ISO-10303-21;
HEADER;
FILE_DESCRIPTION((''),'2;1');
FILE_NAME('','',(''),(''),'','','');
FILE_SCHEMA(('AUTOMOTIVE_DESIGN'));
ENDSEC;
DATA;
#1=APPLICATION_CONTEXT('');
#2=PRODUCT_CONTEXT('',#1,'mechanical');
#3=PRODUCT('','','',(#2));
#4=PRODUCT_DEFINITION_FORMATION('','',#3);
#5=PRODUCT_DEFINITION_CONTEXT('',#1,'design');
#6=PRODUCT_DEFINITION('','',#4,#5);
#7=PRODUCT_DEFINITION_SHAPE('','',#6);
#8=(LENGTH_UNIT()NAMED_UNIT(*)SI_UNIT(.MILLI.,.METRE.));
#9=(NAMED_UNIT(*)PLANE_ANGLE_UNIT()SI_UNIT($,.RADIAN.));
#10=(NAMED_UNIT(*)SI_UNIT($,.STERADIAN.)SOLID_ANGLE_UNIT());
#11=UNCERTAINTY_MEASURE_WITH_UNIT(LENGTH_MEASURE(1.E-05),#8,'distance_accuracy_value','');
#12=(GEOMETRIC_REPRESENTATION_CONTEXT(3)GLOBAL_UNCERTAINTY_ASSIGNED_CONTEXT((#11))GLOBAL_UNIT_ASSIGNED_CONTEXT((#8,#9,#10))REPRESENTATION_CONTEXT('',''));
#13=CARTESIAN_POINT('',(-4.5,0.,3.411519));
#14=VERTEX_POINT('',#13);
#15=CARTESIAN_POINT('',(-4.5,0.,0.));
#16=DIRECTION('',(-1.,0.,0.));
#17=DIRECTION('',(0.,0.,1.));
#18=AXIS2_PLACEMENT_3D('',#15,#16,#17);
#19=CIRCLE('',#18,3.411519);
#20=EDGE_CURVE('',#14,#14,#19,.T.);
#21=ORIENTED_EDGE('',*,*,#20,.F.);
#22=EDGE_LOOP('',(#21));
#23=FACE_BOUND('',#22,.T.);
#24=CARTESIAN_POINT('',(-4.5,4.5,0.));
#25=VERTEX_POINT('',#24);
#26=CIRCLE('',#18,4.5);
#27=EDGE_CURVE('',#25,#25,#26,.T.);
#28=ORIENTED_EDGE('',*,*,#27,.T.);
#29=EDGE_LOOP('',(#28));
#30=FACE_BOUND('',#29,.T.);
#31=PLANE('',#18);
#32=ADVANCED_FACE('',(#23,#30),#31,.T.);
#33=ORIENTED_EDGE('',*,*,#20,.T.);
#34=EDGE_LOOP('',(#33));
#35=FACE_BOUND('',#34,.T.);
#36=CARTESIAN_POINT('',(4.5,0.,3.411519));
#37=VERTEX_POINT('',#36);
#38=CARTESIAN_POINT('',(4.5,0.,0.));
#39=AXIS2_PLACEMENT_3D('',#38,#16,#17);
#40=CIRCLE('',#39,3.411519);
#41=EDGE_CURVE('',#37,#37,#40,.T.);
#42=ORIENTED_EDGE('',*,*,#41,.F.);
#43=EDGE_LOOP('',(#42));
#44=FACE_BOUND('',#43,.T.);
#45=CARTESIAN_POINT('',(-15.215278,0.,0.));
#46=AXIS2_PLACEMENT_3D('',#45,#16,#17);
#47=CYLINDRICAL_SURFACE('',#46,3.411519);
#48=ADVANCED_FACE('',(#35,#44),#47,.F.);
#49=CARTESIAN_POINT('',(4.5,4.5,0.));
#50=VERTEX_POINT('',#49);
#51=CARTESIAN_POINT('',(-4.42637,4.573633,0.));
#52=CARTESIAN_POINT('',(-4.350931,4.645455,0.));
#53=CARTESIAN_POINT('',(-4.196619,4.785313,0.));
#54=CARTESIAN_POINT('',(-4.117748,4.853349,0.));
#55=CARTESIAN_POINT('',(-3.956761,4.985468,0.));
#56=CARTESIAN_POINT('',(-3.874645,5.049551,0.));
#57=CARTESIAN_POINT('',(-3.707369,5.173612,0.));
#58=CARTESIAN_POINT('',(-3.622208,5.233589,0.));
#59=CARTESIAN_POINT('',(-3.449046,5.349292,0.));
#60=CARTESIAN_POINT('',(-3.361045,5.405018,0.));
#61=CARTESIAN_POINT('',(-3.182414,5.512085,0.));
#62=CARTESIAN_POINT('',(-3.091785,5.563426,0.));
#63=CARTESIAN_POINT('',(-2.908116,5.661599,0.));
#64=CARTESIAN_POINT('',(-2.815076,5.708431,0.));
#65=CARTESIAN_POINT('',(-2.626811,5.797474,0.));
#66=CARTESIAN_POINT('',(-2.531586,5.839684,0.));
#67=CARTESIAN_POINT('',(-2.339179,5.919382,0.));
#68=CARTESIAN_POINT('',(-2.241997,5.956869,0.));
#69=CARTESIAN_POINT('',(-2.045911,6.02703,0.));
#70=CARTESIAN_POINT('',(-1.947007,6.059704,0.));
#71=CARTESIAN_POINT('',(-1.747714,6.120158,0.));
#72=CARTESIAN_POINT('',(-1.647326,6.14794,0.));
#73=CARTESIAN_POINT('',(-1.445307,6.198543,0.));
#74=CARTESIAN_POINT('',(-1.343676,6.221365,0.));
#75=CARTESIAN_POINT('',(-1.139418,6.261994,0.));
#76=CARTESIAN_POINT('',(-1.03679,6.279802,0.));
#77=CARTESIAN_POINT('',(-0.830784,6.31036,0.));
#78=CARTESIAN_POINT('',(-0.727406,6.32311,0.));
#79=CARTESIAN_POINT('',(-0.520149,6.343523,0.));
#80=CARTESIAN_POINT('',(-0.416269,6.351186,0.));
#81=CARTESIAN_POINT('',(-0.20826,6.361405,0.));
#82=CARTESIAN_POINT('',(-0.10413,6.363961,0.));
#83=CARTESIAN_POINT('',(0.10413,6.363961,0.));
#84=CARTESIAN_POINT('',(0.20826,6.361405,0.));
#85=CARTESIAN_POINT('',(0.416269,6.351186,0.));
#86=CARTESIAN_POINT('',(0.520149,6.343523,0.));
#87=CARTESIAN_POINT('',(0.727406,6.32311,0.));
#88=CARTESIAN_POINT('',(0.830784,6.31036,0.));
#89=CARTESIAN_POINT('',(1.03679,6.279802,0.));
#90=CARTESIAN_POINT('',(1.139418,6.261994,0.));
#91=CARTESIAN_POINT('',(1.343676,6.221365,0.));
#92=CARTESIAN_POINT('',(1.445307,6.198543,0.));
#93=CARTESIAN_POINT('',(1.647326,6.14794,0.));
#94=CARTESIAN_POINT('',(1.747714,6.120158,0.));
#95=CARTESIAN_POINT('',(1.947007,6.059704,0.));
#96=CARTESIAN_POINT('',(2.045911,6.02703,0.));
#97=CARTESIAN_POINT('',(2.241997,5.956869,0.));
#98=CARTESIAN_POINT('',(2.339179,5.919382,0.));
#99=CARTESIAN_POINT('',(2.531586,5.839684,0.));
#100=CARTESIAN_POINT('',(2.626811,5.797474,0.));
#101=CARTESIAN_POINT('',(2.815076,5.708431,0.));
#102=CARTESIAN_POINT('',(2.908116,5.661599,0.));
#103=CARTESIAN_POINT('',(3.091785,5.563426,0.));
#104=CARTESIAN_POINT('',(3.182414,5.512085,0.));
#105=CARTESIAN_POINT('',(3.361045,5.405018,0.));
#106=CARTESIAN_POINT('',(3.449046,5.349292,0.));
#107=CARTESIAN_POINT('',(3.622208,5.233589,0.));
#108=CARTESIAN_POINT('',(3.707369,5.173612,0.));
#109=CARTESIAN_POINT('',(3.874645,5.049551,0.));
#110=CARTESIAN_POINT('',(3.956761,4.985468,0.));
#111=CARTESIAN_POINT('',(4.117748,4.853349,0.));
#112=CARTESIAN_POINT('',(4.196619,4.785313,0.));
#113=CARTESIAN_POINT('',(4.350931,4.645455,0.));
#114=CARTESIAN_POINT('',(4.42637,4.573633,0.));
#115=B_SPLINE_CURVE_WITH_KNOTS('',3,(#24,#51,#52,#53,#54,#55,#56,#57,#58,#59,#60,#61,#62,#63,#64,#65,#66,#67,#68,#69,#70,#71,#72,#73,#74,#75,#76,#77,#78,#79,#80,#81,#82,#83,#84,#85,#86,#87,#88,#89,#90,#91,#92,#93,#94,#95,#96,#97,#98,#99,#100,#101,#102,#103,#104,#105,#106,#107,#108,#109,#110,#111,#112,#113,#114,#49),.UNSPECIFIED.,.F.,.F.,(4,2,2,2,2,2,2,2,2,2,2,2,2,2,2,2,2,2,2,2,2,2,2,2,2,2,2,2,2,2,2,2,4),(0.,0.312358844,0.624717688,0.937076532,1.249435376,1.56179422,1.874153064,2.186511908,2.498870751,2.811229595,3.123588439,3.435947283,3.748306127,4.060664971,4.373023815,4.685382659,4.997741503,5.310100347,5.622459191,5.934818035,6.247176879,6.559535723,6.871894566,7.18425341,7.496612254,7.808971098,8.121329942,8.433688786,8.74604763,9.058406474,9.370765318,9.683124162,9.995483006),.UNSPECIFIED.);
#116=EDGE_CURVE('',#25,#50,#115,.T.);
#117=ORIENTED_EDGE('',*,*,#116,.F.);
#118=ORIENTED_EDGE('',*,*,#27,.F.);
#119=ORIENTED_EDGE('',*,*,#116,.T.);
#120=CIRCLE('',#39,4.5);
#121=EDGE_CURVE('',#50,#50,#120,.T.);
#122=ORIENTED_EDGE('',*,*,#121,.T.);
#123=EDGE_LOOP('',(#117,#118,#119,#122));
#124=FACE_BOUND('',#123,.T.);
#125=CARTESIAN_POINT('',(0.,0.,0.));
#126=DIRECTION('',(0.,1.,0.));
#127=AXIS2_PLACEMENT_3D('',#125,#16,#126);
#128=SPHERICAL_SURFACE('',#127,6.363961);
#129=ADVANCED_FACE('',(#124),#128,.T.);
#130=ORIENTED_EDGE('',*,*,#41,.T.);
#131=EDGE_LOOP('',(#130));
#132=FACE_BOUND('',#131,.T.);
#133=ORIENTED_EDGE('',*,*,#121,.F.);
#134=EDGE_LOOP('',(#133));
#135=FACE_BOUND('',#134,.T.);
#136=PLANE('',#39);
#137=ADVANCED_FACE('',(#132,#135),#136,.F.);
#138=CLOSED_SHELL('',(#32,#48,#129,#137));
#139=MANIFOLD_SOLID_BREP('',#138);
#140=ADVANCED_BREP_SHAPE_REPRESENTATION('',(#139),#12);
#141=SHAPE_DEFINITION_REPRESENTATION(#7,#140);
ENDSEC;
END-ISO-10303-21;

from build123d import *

# Parameters (mm, degrees)
SKETCH1_W = 9
SKETCH1_H = 1.088480949


with BuildPart() as part:
    # Sketch1 → Revolve1 (revolve)
    with BuildSketch(Plane.XY, mode=Mode.PRIVATE) as revolve1_sk:
        with Locations((0, -3.955759526)):
            Rectangle(SKETCH1_W, SKETCH1_H)
        with BuildLine():
            Line((4.5, -4.5), (-4.5, -4.5))
            ThreePointArc((-4.5, -4.5), (0, -6.363961031), (4.5, -4.5))
        make_face()
        with BuildLine():
            ThreePointArc((4.5, 4.5), (0, 6.363961031), (-4.5, 4.5))
            Line((-4.5, 4.5), (4.5, 4.5))
        make_face()
        with Locations((0, 3.955759526)):
            Rectangle(SKETCH1_W, SKETCH1_H)
    revolve(revolve1_sk.sketch.rotate(Axis((-15.215278476, 0, 0), (1, 0, 0)), 270), axis=Axis((-15.215278476, 0, 0), (1, 0, 0)))


solid = part.part
